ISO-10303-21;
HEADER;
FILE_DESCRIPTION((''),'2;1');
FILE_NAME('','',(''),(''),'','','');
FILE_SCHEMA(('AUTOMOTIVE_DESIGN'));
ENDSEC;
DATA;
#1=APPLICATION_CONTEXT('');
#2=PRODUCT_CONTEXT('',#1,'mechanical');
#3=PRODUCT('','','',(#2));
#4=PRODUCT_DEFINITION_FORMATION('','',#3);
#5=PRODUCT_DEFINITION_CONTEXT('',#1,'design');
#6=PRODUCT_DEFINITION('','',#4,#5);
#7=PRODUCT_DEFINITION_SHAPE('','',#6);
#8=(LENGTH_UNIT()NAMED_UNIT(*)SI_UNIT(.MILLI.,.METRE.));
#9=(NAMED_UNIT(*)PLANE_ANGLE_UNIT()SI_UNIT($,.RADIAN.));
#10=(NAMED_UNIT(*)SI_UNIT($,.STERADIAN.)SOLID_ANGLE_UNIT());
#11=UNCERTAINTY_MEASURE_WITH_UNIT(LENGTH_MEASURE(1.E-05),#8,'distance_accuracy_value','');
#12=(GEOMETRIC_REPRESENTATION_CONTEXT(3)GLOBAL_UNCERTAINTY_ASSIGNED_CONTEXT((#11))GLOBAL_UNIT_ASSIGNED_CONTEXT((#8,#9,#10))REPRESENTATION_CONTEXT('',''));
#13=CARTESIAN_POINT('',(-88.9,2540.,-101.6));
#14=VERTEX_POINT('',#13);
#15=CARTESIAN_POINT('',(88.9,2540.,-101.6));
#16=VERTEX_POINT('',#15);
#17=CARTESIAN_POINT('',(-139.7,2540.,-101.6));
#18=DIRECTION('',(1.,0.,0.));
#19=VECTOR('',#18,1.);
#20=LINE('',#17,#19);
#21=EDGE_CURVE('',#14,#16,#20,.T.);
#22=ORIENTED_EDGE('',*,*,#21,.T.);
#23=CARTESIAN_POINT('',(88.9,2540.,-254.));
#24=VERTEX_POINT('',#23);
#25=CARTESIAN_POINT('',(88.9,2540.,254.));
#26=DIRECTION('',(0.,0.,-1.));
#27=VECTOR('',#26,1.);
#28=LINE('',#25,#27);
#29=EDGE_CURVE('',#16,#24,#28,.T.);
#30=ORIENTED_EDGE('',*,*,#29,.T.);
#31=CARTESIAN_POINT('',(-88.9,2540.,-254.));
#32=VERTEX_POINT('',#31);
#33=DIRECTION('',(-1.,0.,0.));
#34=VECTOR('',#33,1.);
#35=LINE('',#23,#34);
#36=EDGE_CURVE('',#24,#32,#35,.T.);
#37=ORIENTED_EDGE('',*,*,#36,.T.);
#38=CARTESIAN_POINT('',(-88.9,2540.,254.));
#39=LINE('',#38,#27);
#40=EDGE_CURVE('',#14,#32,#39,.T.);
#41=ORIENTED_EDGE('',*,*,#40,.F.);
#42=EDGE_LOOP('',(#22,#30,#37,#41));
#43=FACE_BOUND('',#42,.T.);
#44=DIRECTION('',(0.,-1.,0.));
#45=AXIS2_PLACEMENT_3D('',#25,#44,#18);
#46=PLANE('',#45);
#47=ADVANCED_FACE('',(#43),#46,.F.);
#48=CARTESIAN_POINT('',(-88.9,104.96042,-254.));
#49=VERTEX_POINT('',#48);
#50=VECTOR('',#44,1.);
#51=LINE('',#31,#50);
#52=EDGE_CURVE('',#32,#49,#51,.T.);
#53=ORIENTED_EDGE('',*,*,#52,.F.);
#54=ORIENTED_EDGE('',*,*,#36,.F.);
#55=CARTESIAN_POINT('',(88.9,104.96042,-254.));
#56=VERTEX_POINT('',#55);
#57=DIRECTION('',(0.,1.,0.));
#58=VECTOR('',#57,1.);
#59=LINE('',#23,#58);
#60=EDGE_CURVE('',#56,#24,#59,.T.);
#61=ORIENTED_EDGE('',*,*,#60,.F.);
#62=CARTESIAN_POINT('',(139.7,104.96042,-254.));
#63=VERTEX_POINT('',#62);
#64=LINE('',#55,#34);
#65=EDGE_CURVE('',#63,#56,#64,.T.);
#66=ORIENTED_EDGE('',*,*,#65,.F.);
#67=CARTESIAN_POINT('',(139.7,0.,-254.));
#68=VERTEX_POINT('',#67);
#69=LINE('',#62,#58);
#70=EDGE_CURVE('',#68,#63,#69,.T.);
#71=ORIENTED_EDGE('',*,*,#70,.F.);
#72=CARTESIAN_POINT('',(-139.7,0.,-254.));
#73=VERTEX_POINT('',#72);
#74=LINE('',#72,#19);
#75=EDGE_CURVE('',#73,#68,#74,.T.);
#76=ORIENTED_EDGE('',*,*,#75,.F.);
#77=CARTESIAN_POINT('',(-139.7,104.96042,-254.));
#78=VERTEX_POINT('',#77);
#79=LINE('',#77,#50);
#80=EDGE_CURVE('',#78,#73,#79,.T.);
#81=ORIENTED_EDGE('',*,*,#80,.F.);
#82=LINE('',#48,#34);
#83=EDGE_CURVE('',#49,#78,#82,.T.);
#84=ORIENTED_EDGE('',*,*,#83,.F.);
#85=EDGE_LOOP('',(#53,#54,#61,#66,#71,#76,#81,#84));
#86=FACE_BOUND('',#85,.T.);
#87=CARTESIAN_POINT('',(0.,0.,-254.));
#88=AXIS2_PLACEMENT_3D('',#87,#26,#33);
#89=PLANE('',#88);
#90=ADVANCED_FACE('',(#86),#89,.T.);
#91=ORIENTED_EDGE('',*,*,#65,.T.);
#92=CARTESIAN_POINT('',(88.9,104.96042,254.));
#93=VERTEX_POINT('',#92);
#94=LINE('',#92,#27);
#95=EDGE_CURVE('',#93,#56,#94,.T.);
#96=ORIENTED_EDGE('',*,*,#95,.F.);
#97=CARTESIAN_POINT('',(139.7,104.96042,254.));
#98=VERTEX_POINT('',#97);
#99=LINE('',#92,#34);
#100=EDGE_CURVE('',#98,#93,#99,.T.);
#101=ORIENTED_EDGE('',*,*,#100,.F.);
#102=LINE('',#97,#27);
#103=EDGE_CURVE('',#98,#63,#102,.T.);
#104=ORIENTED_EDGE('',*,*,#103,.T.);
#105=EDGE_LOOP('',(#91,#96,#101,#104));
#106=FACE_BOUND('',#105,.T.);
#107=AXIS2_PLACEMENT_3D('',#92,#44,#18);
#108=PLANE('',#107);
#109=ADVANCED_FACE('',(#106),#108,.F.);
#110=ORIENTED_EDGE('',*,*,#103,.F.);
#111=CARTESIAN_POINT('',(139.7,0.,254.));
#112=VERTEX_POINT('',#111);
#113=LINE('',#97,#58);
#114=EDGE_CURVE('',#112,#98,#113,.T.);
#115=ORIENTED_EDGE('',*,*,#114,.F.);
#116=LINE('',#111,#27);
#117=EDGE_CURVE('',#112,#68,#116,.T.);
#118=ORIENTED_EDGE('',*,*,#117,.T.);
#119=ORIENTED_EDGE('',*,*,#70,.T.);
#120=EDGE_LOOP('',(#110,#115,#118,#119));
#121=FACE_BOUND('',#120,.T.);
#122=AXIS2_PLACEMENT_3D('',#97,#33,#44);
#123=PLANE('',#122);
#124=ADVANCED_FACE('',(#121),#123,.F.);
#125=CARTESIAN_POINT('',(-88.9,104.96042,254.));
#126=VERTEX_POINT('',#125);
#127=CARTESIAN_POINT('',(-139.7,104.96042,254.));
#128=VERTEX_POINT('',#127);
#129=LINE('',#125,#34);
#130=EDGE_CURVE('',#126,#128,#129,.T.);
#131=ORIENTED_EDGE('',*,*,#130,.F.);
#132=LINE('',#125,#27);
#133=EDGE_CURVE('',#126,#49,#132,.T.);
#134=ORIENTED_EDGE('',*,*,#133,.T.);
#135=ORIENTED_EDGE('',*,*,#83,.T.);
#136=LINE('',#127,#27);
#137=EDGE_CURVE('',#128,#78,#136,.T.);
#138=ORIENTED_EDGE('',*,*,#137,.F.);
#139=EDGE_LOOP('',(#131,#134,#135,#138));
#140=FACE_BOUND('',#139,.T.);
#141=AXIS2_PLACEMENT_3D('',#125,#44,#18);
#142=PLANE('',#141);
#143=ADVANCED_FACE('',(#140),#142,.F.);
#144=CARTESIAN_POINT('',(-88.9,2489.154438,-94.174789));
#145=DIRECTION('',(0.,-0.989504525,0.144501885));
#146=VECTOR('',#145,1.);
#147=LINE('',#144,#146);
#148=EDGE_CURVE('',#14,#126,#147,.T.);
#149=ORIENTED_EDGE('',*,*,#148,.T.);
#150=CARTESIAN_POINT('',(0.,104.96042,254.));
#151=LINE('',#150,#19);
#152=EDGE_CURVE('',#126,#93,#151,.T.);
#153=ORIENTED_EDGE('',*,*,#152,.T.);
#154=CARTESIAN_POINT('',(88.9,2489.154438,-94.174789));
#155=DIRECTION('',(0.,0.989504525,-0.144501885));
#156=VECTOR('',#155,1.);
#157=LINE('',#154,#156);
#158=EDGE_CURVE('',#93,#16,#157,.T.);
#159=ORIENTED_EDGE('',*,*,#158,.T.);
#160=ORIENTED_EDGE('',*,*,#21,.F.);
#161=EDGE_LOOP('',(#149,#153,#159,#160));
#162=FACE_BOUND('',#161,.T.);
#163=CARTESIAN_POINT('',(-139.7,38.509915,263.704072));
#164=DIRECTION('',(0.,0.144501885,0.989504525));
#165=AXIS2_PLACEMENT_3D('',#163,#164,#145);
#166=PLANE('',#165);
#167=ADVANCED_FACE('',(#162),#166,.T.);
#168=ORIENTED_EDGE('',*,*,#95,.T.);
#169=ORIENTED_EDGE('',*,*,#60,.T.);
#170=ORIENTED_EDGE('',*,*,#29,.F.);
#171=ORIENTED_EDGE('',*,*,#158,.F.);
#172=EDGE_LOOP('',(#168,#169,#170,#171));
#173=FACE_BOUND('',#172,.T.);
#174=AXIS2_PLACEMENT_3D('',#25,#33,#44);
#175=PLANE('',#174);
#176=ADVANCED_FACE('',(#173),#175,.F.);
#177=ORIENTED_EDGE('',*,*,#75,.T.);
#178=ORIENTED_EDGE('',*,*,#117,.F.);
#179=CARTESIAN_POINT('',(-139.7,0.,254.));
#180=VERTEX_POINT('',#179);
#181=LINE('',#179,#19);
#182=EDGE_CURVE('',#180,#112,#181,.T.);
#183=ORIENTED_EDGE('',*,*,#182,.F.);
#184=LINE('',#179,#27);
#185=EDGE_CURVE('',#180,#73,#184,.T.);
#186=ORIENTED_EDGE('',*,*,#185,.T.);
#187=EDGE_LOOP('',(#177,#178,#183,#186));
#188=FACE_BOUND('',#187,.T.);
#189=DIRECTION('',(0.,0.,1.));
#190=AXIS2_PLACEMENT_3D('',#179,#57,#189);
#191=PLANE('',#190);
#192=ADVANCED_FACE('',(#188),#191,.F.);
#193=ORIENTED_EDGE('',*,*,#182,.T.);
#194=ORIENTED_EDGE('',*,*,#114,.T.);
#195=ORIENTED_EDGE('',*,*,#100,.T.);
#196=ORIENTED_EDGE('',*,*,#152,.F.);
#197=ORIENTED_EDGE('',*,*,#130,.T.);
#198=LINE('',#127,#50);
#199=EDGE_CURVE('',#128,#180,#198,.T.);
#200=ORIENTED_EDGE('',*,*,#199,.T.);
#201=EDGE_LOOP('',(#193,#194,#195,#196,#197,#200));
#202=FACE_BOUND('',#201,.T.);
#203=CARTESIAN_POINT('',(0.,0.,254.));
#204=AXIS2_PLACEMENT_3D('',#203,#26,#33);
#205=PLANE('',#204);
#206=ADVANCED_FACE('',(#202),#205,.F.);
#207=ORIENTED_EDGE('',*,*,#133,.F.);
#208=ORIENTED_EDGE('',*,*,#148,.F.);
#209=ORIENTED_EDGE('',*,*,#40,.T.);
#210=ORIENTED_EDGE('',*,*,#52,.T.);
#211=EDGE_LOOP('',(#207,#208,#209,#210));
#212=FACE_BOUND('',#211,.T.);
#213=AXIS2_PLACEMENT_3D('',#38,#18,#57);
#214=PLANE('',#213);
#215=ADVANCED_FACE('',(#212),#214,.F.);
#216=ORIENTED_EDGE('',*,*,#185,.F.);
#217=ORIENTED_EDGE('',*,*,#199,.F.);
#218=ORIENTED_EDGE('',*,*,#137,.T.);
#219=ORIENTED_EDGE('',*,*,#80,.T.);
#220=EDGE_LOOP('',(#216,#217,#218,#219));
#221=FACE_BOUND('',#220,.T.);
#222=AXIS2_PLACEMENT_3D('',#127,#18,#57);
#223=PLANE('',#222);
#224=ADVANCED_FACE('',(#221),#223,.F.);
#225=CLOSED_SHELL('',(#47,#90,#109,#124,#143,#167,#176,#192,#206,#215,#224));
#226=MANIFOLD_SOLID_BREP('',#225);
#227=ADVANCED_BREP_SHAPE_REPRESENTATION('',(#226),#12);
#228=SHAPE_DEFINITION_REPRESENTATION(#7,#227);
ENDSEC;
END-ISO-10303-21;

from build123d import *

# Parameters (mm, degrees)
BOSS_EXTRUDE1_DEPTH     = 254
CUT_EXTRUDE1_DEPTH      = 140.7
CUT_EXTRUDE1_DEPTH_BACK = 140.7


with BuildPart() as part:
    # Sketch1 → Boss-Extrude1 (new body, symmetric)
    with BuildSketch(Plane.XY):
        Polygon((88.9, 2540), (-88.9, 2540), (-88.9, 104.96042), (-139.7, 104.96042), (-139.7, 0), (139.7, 0), (139.7, 104.96042), (88.9, 104.96042), align=None)
    extrude(amount=BOSS_EXTRUDE1_DEPTH, both=True)

    # Sketch2 → Cut-Extrude1 (cut, two sides)
    with BuildSketch(Plane(origin=(0, 0, 0), x_dir=(0, 0, -1), z_dir=(1, 0, 0))) as cut_extrude1_sk:
        Polygon((-254, 104.96042), (101.6, 2540), (-254, 2540), align=None)
    extrude(amount=CUT_EXTRUDE1_DEPTH, mode=Mode.SUBTRACT)
    extrude(cut_extrude1_sk.sketch, amount=-CUT_EXTRUDE1_DEPTH_BACK, mode=Mode.SUBTRACT)


solid = part.part
